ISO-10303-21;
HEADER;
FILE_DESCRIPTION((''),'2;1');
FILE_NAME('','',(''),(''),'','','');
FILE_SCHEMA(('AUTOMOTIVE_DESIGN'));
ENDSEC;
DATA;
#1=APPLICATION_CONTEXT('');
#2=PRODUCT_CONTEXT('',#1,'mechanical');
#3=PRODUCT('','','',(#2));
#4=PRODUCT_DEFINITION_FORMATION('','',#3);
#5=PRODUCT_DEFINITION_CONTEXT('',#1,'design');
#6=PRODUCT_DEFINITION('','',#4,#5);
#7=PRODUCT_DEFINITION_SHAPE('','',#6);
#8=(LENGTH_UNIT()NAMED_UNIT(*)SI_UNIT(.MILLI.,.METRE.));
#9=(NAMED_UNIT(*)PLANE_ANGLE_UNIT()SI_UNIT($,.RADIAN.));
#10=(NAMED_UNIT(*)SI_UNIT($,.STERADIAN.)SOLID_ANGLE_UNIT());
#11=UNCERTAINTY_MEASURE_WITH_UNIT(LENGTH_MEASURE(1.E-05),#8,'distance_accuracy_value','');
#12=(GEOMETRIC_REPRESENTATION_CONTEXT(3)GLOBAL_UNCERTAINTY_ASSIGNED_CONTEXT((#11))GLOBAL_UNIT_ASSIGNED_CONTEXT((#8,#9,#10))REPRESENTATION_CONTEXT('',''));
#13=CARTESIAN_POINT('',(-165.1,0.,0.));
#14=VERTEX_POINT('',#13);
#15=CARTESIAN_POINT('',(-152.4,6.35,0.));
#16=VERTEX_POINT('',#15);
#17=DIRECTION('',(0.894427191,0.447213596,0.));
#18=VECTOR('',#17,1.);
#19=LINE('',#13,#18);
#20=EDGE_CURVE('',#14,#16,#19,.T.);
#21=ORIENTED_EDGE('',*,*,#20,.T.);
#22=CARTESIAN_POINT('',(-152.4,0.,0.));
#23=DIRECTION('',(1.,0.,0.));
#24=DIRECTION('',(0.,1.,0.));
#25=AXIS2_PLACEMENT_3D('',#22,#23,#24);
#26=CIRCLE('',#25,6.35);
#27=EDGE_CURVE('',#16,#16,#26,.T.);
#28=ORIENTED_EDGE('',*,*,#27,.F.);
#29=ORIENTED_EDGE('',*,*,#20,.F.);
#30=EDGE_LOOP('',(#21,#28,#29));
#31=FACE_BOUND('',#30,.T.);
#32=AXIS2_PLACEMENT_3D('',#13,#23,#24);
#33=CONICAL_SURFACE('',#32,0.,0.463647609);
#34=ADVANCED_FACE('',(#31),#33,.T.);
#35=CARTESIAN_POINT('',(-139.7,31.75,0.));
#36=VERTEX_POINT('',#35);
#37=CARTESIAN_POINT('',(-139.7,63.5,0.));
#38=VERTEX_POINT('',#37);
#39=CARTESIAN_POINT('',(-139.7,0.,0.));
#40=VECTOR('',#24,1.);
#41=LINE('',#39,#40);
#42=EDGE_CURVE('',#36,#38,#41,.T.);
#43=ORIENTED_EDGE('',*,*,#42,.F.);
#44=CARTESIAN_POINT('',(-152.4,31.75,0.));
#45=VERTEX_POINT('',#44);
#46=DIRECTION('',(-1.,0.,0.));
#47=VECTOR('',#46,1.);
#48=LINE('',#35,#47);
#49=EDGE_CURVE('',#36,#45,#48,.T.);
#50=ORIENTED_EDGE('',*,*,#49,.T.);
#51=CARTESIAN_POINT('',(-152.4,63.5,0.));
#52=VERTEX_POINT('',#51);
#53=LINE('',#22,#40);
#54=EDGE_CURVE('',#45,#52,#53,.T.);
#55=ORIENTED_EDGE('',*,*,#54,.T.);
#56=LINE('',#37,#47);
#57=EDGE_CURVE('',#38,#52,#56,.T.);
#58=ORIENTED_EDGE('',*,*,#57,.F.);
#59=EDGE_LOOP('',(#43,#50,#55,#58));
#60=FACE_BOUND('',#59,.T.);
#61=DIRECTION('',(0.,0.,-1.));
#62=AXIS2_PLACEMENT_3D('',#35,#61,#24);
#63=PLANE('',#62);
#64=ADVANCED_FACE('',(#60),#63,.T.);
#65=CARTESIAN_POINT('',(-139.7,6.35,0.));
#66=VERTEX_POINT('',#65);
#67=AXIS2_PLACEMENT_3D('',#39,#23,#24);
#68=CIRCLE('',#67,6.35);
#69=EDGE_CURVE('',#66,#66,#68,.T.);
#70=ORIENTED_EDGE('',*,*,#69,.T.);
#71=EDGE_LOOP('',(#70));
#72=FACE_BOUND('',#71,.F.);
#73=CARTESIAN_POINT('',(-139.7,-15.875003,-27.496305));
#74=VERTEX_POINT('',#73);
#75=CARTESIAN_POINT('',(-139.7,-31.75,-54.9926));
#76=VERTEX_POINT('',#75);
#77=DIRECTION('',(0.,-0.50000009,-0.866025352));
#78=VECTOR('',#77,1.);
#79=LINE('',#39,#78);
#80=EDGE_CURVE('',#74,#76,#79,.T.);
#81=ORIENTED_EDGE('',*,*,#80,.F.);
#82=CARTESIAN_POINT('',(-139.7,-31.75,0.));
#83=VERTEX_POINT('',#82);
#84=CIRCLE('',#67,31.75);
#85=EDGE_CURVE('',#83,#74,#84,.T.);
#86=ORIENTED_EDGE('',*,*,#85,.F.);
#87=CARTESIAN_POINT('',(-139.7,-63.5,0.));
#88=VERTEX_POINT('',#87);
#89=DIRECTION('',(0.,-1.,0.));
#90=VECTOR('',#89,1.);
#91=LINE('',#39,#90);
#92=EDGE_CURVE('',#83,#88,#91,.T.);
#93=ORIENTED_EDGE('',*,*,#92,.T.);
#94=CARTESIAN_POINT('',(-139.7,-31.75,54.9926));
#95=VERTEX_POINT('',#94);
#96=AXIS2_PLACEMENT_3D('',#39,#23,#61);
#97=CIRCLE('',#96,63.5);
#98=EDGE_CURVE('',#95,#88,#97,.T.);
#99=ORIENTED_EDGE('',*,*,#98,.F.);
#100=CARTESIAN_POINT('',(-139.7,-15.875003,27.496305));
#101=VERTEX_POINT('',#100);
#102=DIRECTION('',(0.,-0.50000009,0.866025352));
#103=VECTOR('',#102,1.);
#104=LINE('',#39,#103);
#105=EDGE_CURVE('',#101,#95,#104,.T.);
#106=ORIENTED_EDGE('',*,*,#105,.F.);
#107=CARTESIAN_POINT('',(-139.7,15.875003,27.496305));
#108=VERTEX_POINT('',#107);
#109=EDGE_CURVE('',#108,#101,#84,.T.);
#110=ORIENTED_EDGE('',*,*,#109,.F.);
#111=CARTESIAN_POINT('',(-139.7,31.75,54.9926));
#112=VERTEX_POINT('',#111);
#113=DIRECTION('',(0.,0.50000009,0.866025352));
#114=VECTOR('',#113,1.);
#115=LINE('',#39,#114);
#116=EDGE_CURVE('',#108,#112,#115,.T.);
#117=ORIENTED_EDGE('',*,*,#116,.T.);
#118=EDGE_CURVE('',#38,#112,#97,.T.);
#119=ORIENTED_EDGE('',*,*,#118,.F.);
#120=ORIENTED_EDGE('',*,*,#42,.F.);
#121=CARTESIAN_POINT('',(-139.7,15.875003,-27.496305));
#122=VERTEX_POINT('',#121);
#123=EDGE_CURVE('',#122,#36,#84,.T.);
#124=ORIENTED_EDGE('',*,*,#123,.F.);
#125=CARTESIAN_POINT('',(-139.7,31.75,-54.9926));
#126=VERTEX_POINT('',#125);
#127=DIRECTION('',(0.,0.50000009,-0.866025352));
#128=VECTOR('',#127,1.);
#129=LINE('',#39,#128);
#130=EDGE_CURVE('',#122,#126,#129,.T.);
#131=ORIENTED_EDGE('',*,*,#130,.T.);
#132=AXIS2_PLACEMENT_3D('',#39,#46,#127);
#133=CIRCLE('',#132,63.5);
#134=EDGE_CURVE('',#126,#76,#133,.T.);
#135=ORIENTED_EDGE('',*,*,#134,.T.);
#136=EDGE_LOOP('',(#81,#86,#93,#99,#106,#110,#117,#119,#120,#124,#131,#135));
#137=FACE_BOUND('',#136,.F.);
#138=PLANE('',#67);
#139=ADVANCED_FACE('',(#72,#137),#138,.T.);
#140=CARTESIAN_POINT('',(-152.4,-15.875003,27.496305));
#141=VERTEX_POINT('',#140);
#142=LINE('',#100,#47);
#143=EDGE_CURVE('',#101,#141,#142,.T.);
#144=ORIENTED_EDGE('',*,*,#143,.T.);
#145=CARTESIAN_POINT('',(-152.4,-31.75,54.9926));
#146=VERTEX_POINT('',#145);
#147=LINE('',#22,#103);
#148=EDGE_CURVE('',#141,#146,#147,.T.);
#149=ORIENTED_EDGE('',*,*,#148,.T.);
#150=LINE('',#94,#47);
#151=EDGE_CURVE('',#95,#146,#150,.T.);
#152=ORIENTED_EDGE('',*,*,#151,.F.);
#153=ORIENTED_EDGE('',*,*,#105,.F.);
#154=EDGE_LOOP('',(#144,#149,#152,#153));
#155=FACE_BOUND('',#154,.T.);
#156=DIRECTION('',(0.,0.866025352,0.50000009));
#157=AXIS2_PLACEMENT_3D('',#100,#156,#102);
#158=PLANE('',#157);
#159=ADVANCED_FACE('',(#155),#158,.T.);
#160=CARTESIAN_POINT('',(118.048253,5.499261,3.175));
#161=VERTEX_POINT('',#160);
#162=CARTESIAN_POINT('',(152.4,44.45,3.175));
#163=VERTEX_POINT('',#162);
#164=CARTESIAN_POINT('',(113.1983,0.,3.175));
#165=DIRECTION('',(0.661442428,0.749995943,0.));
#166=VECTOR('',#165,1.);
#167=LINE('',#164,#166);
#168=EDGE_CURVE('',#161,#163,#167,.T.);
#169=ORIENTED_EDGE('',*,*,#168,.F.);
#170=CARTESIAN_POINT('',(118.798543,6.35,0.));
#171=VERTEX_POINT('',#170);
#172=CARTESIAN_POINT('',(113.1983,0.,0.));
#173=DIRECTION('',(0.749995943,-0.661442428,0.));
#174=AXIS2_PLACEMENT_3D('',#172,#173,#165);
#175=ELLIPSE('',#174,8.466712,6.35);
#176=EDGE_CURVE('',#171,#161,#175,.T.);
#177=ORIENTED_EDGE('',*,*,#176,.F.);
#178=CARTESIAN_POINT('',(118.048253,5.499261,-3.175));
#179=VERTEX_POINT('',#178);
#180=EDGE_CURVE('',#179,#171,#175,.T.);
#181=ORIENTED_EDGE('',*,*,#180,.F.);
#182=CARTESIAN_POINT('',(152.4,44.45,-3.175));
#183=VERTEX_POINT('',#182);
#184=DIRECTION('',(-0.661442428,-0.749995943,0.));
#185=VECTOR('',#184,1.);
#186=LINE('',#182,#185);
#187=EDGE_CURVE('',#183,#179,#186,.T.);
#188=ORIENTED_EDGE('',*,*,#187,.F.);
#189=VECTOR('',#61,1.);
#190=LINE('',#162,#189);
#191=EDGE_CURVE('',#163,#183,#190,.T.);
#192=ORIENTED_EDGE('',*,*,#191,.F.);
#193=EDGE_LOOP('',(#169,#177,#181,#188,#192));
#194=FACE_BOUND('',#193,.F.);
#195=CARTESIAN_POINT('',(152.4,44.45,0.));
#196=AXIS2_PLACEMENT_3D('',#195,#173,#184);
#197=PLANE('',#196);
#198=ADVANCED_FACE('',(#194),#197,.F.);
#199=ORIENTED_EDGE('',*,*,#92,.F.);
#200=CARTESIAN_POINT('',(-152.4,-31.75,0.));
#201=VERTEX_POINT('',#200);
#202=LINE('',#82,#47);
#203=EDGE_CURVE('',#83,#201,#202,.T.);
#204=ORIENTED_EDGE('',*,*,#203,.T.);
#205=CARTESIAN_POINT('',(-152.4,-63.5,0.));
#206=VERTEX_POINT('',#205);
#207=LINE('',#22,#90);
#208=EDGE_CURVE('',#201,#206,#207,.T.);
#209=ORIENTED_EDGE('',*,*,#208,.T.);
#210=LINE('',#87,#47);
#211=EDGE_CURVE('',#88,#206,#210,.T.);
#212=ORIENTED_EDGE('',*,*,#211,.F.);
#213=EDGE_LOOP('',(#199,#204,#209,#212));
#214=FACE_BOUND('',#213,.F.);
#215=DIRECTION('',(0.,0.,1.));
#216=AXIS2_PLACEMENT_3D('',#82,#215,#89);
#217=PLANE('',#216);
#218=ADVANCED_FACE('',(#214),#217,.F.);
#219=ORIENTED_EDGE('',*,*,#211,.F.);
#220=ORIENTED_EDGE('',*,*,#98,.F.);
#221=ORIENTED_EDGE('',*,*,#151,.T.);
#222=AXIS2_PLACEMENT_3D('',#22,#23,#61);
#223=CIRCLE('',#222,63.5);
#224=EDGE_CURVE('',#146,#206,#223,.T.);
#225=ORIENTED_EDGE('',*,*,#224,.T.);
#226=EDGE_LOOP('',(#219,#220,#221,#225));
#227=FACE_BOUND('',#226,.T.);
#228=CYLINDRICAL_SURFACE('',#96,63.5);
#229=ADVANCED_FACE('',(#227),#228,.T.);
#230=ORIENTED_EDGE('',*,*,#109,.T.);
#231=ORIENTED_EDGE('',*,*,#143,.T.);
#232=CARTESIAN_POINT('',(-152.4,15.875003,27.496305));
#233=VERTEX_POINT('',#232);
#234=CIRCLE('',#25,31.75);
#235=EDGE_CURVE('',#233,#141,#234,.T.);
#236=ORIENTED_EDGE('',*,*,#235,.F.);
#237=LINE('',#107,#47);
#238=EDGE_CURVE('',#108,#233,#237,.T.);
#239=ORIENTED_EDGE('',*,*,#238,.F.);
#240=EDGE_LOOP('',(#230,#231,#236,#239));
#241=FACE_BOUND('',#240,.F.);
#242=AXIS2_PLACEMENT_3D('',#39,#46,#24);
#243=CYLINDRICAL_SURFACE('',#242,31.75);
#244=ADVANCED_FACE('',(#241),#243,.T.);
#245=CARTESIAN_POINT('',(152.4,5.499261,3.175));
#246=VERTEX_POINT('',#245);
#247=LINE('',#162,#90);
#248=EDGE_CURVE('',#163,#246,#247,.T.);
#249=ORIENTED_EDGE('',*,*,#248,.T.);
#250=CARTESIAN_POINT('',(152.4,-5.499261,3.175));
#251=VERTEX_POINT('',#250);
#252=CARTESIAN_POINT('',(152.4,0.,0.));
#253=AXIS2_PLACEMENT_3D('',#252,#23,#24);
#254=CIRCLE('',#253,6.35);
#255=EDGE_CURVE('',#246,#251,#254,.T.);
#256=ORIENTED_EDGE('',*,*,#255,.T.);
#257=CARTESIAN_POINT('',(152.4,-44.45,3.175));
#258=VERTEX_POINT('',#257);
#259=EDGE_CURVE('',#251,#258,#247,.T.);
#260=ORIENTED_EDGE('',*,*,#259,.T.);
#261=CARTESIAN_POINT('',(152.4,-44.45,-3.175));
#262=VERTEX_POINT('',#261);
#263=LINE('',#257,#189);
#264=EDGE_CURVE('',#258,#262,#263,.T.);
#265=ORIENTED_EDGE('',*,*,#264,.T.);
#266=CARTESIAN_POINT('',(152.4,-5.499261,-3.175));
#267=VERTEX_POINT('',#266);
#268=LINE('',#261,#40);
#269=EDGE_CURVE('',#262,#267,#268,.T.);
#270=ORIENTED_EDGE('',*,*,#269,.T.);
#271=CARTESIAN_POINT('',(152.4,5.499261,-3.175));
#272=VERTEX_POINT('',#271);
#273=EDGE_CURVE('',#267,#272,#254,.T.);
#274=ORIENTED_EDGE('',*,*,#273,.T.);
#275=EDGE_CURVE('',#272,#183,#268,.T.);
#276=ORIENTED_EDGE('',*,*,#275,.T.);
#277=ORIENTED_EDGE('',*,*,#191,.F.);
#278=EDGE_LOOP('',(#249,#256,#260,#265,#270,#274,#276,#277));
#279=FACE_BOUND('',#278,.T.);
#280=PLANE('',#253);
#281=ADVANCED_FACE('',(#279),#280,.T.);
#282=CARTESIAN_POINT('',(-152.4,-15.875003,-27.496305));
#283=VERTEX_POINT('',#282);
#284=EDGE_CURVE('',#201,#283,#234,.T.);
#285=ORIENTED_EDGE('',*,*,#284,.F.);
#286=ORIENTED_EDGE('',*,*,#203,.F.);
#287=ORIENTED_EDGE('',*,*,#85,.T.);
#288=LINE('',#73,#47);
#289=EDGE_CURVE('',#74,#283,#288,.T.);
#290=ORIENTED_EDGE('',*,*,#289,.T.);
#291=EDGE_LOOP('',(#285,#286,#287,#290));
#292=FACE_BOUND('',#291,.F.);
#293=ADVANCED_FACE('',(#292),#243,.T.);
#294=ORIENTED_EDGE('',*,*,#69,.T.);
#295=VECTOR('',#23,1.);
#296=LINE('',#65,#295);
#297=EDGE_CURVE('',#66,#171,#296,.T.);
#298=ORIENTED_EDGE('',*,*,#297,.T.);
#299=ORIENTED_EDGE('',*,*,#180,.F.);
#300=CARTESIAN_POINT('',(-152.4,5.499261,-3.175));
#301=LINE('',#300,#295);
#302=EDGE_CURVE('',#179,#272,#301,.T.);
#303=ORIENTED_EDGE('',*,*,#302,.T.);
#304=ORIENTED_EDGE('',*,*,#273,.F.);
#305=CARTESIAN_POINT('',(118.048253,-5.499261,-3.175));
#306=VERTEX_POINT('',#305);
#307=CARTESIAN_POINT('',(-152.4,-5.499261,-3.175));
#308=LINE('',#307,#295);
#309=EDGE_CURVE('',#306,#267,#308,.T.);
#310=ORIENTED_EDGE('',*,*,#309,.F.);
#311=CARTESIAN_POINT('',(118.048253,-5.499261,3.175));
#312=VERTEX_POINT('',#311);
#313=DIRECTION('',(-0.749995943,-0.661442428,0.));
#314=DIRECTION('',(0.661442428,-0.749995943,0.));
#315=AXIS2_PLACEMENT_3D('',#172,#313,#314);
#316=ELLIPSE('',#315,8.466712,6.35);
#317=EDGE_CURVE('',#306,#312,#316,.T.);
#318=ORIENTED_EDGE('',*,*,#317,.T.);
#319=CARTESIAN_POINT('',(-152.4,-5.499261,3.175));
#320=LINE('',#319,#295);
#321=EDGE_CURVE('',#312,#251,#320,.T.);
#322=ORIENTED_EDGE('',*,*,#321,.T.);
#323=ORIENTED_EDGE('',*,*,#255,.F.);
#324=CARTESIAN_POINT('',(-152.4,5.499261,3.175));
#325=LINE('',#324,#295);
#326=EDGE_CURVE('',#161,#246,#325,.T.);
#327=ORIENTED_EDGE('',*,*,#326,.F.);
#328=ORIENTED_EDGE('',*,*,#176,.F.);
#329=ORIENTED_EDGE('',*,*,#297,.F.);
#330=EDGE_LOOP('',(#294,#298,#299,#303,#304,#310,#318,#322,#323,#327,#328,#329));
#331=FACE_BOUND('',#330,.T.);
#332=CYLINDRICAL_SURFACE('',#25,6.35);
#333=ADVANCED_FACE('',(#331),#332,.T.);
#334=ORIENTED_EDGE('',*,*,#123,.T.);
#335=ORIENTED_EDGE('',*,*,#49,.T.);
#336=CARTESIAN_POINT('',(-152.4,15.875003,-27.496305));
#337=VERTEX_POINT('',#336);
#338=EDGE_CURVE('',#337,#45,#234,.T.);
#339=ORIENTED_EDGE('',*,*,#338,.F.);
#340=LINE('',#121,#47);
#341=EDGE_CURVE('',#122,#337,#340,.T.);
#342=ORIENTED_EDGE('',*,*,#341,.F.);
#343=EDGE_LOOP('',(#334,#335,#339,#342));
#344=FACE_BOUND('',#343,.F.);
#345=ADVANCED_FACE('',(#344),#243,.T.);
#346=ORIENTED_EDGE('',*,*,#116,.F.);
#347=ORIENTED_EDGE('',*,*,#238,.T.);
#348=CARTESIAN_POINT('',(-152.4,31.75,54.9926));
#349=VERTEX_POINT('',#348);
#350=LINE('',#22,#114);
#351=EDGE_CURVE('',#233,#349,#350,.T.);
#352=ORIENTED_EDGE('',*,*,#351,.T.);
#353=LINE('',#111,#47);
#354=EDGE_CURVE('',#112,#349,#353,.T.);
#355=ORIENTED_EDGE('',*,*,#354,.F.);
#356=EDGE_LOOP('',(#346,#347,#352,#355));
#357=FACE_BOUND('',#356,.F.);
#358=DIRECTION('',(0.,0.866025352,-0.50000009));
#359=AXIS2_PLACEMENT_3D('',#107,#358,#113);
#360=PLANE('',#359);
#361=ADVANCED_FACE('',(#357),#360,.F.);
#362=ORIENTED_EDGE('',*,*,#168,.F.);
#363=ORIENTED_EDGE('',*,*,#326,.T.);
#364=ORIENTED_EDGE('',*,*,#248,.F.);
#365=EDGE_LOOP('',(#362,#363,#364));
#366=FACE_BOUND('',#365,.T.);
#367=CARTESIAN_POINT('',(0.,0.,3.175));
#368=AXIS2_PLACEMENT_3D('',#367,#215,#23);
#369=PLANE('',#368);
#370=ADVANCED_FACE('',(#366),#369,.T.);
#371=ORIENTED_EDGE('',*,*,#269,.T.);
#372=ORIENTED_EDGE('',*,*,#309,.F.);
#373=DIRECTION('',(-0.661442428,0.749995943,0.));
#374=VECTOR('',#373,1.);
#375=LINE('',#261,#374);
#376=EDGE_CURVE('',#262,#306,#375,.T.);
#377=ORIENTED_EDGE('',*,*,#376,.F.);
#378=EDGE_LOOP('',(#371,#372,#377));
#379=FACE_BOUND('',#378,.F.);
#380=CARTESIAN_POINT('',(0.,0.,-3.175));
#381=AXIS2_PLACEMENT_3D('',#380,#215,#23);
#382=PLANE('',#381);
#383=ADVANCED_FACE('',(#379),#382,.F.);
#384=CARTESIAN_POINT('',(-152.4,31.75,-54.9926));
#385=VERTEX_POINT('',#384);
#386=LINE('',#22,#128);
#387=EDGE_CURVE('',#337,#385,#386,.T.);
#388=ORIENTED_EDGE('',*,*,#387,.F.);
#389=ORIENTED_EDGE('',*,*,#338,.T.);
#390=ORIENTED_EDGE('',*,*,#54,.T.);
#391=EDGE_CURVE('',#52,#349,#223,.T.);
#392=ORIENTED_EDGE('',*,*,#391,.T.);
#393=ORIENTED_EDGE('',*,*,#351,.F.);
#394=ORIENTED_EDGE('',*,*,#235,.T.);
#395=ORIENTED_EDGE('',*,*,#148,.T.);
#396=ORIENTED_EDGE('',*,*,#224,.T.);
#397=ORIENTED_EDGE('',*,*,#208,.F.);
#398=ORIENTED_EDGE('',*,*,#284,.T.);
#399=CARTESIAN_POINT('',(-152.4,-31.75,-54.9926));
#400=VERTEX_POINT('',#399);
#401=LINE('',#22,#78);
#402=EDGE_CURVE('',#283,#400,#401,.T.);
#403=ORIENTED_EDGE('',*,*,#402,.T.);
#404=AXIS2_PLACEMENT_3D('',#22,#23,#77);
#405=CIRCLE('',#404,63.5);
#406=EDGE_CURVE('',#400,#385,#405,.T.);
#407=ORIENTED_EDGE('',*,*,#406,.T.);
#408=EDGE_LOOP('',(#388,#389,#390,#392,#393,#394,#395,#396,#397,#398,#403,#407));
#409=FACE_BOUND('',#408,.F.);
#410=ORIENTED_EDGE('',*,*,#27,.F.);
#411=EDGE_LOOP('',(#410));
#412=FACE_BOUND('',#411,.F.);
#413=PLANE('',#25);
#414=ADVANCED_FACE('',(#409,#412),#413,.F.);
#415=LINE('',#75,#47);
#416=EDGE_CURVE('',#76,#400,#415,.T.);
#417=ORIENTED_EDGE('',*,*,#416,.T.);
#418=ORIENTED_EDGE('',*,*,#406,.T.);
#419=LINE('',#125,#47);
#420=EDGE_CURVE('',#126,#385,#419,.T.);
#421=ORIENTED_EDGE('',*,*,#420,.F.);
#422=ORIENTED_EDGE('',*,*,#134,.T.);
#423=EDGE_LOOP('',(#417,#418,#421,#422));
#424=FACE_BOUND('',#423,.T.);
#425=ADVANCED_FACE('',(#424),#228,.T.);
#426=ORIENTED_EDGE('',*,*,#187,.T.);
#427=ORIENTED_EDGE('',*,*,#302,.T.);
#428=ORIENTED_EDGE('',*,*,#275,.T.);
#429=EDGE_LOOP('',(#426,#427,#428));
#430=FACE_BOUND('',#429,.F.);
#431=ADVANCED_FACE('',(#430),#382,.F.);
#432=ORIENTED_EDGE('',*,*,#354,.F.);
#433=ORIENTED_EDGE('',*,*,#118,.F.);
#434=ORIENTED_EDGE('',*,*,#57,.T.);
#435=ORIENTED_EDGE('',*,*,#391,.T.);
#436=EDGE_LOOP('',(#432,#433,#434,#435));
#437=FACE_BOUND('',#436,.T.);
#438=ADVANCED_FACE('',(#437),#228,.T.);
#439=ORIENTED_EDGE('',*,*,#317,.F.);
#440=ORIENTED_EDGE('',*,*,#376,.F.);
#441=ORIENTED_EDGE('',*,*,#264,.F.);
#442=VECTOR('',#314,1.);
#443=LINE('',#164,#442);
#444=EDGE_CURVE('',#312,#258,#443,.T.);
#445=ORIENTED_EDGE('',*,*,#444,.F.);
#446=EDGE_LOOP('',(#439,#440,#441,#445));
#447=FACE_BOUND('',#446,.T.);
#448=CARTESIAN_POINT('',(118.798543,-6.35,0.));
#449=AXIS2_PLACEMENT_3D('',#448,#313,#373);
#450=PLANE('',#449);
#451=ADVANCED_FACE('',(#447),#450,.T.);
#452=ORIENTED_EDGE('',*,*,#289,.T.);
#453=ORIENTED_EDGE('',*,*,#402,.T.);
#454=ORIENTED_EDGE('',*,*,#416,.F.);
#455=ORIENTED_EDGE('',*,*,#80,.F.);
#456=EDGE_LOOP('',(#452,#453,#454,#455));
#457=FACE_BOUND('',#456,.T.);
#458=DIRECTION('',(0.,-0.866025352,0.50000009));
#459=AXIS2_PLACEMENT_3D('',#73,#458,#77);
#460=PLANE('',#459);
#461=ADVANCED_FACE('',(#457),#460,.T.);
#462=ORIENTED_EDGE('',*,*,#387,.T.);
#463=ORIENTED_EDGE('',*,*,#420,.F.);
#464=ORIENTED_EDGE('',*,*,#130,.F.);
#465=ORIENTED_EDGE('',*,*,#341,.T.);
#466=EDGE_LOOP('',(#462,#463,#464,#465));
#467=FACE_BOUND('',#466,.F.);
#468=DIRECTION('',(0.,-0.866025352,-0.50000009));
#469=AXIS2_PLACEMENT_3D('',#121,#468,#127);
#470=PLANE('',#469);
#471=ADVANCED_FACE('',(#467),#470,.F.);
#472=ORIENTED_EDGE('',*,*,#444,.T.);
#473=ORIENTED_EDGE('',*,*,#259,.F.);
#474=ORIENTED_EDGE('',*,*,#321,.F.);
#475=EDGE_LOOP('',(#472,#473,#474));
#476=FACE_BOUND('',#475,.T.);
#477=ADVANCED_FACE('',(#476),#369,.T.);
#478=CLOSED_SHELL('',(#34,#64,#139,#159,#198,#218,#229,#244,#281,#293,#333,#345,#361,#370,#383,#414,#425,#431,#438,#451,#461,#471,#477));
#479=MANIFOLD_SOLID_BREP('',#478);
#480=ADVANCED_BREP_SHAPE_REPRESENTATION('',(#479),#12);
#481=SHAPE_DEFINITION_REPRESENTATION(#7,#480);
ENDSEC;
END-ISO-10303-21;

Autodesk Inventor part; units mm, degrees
ref_plane "YZ Plane" through (0, 0, 0) normal (1, 0, 0) x (0, 1, 0)
ref_plane "XZ Plane" through (0, 0, 0) normal (0, 1, 0) x (-1, 0, 0)
ref_plane "XY Plane" through (0, 0, 0) normal (0, 0, 1) x (1, 0, 0)
sketch "Sketch1" plane through (0, 0, 0) normal (0, 0, 1) x (1, 0, 0)
  line L0 (-152.4, 6.35) -> (152.4, 6.35)
  line L1 (152.4, 6.35) -> (152.4, -6.35)
  line L2 (152.4, -6.35) -> (-152.4, -6.35)
  line L3 (-152.4, -6.35) -> (-152.4, 6.35)
  line L4 (-152.4, 6.35) -> (152.4, -6.35) construction
  line L5 (152.4, 6.35) -> (-152.4, -6.35) construction
  line L6 (-152.4, 0) -> (-146.05, 0)
  line L7 (-152.4, -31.75) -> (-139.7, -31.75)
  line L8 (-139.7, -31.75) -> (-139.7, 31.75)
  line L9 (-139.7, 31.75) -> (-152.4, 31.75)
  line L10 (-152.4, 31.75) -> (-152.4, -31.75)
  line L11 (-152.4, -31.75) -> (-139.7, 31.75) construction
  line L12 (-139.7, -31.75) -> (-152.4, 31.75) construction
  line L13 (-152.4, 0) -> (-165.1, 0)
  line L14 (-165.1, 0) -> (-152.4, 6.35)
  line L15 (152.4, 0) -> (152.4, 44.45)
  line L16 (152.4, 44.45) -> (113.1983, 0)
  line L17 (-146.05, 0) -> (152.4, 0)
  line L18 (152.4, 0) -> (152.4, -44.45)
  line L19 (152.4, -44.45) -> (113.1983, 0)
  point P0 (0, 0)
  point P1 (-139.7, 6.35)
  dimension "d0" = 304.8
  dimension "d1" = 12.7
  dimension "d2" = 6.35
  dimension "d3" = 12.7
  dimension "d4" = 63.5
  dimension "d5" = 12.7
  dimension "d6" = 44.45
  dimension "d8" = 41.41
revolve "Revolution1" add sketch "Sketch1" angle 360 about axis through (-146.05, 0, 0) along (1, 0, 0) contours L10 L9 L8 L0 | L0 L8 L17 L6 L3 | L3 L13 L14 | L0 L16 L17 L8 | L0 L1 L17 L16
extrude "Extrusion1" add sketch "Sketch1" along normal mid plane 6.35 contours L16 L15 L0 | L0 L1 L17 L16 | L17 L1 L2 L19 | L2 L18 L19
sketch "Sketch2" plane through (-139.7, 0, 0) normal (1, 0, 0) x (0, 0, -1)
  circle A0 centre (0, 0) radius 63.5
  circle A1 centre (0, 0) radius 6.35
  line L0 (0, 0) -> (0, 63.5)
  line L1 (0, 0) -> (54.9926, -31.75)
  line L2 (0, 0) -> (-54.9926, -31.75)
  line L3 (0, 0) -> (54.9926, 31.75)
  line L4 (0, 0) -> (0, -63.5)
  line L5 (0, 0) -> (-54.9926, 31.75)
  circle A2 centre (0, 0) radius 31.75
  point P0 (0, -31.75)
  point P1 (-27.4963, -15.875)
  point P2 (27.4963, 15.875)
  point P3 (27.4963, -15.875)
  point P4 (-27.4963, 15.875)
  point P5 (0, 31.75)
  dimension "d12" = 12.7
  dimension "d13" = 120
  dimension "d14" = 120
  dimension "d15" = 60
  dimension "d16" = 60
extrude "Extrusion2" add sketch "Sketch2" against normal blind 12.7 contours A0 L1 A2 L3 | L0 A2 L5 A0 | A0 L2 A2 L4
properties part number "Powder Arrow"
